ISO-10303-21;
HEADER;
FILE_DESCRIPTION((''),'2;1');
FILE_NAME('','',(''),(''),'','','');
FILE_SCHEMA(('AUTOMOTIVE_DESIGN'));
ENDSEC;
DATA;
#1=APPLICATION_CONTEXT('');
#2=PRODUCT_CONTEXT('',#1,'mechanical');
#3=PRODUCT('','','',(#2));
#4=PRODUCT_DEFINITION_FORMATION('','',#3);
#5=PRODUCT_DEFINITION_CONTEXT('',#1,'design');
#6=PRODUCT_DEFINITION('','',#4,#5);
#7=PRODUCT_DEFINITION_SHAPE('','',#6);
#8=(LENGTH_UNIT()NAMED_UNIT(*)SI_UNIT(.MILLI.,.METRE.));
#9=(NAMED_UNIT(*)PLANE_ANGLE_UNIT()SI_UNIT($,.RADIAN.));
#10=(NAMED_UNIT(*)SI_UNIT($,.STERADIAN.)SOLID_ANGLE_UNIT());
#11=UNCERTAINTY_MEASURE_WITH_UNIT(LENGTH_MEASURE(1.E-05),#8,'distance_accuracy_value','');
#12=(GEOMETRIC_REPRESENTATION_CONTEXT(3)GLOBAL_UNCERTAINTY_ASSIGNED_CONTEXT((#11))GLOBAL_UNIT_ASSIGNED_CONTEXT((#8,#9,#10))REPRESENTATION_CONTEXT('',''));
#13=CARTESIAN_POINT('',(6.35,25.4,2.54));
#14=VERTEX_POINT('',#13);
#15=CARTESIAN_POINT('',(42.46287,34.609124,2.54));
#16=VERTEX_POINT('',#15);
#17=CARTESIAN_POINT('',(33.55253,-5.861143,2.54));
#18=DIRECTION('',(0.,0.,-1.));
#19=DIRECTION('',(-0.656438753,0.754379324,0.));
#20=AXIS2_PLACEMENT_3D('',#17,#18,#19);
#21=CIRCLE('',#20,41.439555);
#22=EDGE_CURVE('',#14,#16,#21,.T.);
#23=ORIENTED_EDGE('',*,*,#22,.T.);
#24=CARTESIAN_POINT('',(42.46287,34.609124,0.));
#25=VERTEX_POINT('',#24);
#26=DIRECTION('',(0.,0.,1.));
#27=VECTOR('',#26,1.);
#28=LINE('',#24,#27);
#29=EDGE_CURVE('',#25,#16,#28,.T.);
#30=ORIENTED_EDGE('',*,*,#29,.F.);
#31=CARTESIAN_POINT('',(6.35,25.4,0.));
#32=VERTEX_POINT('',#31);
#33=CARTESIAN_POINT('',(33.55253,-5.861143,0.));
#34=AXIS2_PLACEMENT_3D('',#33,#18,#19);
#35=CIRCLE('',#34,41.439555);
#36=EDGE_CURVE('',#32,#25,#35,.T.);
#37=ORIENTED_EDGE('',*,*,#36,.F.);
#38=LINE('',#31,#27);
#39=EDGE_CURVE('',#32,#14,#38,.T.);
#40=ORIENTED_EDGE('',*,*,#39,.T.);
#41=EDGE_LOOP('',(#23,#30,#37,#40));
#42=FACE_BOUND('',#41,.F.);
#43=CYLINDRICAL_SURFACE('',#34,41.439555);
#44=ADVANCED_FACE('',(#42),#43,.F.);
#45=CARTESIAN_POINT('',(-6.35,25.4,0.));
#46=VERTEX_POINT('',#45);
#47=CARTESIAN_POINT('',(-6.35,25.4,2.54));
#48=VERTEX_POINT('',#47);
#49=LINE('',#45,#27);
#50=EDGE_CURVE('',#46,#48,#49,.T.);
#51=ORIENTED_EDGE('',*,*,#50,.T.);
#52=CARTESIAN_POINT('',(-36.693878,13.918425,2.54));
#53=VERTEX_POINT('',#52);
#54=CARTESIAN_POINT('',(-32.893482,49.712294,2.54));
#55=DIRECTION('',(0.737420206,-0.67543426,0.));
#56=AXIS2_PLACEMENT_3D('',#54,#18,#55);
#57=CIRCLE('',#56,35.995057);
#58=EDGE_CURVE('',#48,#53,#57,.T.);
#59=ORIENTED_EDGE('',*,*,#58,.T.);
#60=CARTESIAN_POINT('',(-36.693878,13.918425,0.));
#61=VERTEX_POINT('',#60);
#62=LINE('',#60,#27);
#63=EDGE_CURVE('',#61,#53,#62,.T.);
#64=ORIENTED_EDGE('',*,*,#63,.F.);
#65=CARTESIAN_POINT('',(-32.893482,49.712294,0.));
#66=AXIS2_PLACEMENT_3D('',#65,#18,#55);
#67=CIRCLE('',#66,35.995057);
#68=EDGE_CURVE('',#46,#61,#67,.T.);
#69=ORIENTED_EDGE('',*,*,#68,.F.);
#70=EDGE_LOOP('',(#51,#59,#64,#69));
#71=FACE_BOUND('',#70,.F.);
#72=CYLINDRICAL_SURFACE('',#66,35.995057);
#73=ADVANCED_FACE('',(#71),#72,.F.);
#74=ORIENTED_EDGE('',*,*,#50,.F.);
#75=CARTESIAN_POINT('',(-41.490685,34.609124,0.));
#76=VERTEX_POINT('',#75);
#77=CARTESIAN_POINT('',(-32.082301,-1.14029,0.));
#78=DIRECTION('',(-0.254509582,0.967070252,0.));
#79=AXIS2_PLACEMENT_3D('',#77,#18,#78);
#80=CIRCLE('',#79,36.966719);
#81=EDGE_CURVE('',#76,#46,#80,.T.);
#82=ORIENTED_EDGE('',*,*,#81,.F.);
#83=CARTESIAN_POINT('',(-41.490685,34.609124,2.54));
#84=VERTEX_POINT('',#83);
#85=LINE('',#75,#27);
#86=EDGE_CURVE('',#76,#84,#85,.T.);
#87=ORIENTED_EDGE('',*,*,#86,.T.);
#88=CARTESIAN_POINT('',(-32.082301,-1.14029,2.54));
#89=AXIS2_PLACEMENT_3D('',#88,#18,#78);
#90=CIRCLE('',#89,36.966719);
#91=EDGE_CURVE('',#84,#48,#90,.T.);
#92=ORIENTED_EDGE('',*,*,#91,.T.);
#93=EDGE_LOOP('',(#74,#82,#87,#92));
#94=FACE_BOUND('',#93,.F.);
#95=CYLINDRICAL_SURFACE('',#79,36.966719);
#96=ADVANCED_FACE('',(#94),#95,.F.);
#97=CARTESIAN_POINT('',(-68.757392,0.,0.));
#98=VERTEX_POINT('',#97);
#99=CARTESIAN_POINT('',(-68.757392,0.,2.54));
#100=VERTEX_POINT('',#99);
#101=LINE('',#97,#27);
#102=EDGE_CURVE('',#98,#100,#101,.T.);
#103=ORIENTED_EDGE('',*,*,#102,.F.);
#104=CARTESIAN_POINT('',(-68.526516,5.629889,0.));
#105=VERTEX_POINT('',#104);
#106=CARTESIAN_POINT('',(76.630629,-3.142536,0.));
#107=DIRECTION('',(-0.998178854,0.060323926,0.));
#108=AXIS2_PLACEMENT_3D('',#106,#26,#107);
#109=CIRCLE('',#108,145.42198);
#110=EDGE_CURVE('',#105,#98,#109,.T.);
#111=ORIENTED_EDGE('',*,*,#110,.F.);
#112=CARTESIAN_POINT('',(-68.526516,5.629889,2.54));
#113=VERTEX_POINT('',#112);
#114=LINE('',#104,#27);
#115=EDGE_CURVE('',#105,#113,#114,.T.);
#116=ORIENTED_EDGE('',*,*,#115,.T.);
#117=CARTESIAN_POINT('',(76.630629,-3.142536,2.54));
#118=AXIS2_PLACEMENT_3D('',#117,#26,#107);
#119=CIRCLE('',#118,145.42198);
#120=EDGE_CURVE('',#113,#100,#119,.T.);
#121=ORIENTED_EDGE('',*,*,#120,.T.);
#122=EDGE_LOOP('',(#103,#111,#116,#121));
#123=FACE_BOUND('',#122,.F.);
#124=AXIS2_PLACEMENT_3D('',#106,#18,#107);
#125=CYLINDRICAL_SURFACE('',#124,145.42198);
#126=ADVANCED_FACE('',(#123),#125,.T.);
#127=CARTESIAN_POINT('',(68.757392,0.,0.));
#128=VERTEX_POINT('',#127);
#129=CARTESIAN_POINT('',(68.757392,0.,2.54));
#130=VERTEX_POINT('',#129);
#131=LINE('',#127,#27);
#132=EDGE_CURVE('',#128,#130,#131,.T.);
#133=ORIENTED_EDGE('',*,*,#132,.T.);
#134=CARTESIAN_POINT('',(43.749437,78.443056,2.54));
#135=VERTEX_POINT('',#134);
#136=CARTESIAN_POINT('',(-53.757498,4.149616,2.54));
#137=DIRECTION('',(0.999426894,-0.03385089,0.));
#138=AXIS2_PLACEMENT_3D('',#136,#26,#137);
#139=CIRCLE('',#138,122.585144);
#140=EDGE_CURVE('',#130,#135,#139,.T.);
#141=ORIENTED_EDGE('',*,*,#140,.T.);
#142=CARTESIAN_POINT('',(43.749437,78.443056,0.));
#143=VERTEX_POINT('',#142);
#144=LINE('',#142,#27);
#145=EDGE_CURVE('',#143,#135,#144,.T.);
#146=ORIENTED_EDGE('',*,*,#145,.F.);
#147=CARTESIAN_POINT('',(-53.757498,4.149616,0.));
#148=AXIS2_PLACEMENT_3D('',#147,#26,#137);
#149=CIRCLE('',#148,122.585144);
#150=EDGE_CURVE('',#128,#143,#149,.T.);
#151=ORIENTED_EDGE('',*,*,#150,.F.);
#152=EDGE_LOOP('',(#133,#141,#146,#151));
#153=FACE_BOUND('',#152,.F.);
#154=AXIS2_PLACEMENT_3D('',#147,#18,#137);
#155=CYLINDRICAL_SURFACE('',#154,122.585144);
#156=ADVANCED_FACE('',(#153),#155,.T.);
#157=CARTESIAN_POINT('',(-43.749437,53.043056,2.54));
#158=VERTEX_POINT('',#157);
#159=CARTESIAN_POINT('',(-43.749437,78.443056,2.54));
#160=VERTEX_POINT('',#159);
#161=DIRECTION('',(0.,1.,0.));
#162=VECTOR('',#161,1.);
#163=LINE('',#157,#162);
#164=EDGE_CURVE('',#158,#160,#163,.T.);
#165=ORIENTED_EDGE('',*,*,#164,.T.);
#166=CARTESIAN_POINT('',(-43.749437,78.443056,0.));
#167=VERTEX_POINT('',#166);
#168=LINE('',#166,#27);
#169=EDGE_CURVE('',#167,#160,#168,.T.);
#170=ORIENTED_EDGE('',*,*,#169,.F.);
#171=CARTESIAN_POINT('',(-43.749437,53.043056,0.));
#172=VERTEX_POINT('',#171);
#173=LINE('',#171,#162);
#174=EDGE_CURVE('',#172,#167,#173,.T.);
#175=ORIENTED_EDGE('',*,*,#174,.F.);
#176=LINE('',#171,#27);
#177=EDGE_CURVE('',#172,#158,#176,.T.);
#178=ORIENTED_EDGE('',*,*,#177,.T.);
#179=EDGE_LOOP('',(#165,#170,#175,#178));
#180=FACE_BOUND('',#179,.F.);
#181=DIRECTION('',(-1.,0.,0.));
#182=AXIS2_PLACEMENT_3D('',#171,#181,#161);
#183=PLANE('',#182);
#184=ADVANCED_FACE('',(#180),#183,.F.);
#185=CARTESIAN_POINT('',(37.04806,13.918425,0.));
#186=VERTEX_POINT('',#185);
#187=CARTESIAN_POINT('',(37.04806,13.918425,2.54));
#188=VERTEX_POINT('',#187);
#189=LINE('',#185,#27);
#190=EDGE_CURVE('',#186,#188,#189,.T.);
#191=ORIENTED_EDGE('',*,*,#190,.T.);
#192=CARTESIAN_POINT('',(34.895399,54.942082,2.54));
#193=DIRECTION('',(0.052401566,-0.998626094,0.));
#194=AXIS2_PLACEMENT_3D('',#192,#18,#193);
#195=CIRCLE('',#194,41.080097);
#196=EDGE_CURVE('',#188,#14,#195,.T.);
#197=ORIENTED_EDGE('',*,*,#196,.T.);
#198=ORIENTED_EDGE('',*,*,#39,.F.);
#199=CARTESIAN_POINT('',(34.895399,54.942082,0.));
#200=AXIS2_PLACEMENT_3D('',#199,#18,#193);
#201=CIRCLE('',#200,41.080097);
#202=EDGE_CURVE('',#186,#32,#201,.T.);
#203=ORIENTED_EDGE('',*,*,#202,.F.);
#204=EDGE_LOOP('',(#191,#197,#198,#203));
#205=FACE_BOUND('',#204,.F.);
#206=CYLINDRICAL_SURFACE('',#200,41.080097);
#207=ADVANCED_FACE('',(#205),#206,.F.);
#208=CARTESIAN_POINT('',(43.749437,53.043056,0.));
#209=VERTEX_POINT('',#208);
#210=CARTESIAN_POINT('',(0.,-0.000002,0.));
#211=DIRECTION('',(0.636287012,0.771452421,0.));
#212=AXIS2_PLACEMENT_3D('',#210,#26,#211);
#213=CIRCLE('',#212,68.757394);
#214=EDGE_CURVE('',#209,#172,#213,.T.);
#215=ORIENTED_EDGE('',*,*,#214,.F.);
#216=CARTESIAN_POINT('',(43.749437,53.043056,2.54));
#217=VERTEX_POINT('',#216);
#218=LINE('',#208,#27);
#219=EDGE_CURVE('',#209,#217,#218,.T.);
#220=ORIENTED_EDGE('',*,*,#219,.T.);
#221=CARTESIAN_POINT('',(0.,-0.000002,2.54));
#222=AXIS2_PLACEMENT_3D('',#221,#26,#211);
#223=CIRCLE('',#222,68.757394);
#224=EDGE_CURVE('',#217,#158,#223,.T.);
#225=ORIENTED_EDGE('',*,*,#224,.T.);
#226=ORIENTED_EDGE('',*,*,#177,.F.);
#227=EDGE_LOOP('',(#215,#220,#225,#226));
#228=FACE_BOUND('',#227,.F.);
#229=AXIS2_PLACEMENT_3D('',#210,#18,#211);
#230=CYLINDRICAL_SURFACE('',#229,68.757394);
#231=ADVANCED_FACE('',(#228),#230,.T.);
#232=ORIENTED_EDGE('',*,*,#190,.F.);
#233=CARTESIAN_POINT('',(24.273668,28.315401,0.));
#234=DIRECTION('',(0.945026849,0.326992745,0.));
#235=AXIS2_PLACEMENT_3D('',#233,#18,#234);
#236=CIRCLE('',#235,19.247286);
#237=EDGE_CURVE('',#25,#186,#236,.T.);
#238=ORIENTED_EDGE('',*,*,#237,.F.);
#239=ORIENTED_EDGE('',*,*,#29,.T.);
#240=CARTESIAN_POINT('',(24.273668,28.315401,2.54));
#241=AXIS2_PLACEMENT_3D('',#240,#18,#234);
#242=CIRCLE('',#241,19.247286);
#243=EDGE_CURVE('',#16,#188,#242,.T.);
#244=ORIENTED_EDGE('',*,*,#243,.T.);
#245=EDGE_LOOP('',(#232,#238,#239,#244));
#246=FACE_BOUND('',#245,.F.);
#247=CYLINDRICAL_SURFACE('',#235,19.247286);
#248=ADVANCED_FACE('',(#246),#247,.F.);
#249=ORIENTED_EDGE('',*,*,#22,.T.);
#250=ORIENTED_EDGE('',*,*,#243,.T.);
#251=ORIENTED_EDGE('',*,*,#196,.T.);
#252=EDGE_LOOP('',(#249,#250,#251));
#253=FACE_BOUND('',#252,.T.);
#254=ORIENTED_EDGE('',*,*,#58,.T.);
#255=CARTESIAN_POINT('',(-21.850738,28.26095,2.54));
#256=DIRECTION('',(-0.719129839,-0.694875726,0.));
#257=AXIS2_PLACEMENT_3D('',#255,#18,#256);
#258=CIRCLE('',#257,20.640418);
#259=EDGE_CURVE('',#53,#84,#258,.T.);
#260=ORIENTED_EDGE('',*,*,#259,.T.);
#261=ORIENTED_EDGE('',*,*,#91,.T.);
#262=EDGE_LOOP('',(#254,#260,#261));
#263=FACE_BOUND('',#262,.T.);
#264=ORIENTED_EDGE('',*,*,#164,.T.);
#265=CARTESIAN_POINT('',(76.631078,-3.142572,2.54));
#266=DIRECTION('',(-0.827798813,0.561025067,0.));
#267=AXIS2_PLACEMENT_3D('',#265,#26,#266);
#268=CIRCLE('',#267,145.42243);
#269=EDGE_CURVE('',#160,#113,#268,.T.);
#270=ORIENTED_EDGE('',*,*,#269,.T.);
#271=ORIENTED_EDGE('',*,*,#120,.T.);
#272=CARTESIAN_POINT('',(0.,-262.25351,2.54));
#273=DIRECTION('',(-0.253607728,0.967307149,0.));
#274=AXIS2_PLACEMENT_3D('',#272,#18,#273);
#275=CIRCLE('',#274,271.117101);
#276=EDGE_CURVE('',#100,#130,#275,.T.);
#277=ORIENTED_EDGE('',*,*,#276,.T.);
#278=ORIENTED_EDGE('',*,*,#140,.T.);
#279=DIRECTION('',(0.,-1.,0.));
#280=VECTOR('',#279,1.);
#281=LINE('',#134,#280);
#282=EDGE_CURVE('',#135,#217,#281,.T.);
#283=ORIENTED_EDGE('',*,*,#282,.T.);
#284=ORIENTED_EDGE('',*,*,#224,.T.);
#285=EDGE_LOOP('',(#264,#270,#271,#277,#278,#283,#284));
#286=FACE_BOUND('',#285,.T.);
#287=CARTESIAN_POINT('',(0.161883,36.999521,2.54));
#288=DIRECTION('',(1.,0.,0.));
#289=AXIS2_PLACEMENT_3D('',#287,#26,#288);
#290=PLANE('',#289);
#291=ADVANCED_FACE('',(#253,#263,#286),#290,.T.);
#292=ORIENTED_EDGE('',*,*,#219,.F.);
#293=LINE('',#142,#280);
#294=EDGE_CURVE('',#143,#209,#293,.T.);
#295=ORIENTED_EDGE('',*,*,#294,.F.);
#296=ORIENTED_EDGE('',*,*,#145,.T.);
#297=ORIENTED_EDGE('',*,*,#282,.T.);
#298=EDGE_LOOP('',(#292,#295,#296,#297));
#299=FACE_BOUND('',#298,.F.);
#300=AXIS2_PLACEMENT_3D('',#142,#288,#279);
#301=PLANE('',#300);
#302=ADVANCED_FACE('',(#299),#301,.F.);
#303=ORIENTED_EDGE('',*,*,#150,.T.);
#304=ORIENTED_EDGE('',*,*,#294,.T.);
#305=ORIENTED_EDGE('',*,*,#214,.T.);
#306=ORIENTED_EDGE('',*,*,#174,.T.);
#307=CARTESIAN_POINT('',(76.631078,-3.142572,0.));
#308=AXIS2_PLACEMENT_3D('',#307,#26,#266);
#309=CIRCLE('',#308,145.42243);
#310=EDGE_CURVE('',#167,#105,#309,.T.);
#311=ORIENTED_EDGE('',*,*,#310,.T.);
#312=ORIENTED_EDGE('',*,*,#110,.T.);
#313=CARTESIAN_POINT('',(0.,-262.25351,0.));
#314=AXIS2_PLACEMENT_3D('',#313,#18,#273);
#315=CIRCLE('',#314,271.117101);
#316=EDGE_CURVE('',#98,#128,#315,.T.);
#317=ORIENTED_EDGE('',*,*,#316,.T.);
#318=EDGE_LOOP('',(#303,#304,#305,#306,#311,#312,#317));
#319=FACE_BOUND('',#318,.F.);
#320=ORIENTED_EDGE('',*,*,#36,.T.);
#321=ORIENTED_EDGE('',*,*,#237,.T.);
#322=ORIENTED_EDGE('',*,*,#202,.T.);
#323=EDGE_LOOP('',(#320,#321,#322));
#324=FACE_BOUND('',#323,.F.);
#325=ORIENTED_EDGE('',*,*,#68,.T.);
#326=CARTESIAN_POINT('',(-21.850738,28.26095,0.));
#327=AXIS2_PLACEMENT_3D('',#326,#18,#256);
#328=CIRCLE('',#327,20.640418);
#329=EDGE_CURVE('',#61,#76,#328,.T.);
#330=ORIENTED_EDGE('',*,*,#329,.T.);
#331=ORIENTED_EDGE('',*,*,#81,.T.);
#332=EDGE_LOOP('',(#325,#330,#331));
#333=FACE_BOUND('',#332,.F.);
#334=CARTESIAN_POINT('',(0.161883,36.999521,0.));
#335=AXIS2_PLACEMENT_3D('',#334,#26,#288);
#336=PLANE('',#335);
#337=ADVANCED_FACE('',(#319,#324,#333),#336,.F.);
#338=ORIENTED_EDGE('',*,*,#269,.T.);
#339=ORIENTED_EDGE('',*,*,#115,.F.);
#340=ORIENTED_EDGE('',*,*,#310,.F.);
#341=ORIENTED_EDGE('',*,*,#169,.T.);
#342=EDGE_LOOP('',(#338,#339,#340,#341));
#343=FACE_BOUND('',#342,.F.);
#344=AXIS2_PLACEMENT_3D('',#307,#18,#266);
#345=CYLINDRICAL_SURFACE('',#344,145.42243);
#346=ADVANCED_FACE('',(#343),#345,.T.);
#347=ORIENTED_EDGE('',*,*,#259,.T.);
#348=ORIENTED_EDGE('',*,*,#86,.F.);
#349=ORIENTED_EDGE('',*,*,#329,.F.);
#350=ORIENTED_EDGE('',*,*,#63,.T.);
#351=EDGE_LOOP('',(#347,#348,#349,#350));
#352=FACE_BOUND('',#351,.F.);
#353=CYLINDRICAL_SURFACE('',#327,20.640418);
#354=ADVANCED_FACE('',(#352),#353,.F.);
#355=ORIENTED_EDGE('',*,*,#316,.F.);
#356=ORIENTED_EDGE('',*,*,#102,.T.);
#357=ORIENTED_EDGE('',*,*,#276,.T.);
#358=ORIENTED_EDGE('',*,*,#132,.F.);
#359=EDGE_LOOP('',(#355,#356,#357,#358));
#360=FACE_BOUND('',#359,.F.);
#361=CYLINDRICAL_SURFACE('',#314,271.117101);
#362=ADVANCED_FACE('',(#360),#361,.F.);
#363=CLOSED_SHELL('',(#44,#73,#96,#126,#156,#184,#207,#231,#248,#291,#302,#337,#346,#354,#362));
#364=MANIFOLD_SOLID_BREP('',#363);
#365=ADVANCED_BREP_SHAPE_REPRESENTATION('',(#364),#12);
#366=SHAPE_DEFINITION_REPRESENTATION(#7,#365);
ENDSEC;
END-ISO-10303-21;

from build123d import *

# Parameters (mm, degrees)
F1_DEPTH = 2.54


with BuildPart() as f1:
    # F0 (on Top) → F1 (new body)
    with BuildSketch(Plane.XY):
        with BuildLine():
            Line((43.749437, 78.443056), (43.749437, 53.043056))
            ThreePointArc((43.749437, 53.043056), (0, 68.757392), (-43.749437, 53.043056))
            Line((-43.749437, 53.043056), (-43.749437, 78.443056))
            ThreePointArc((-43.749437, 78.443056), (-61.039039, 43.704221), (-68.526516, 5.629889))
            ThreePointArc((-68.526516, 5.629889), (-68.669224, 2.816063), (-68.757392, 0))
            ThreePointArc((-68.757392, 0), (0, 8.863591), (68.757392, 0))
            ThreePointArc((68.757392, 0), (63.036034, 41.383854), (43.749437, 78.443056))
        make_face()
        with BuildLine():
            ThreePointArc((-41.490685, 34.609124), (-22.711092, 34.618887), (-6.35, 25.4))
            ThreePointArc((-6.35, 25.4), (-20.155012, 16.046652), (-36.693878, 13.918425))
            ThreePointArc((-36.693878, 13.918425), (-41.957878, 23.599432), (-41.490685, 34.609124))
        make_face(mode=Mode.SUBTRACT)
        with BuildLine():
            ThreePointArc((6.35, 25.4), (23.312752, 34.293354), (42.46287, 34.609124))
            ThreePointArc((42.46287, 34.609124), (42.89388, 23.442443), (37.04806, 13.918425))
            ThreePointArc((37.04806, 13.918425), (20.504402, 16.465159), (6.35, 25.4))
        make_face(mode=Mode.SUBTRACT)
    extrude(amount=F1_DEPTH)


solid = f1.part
